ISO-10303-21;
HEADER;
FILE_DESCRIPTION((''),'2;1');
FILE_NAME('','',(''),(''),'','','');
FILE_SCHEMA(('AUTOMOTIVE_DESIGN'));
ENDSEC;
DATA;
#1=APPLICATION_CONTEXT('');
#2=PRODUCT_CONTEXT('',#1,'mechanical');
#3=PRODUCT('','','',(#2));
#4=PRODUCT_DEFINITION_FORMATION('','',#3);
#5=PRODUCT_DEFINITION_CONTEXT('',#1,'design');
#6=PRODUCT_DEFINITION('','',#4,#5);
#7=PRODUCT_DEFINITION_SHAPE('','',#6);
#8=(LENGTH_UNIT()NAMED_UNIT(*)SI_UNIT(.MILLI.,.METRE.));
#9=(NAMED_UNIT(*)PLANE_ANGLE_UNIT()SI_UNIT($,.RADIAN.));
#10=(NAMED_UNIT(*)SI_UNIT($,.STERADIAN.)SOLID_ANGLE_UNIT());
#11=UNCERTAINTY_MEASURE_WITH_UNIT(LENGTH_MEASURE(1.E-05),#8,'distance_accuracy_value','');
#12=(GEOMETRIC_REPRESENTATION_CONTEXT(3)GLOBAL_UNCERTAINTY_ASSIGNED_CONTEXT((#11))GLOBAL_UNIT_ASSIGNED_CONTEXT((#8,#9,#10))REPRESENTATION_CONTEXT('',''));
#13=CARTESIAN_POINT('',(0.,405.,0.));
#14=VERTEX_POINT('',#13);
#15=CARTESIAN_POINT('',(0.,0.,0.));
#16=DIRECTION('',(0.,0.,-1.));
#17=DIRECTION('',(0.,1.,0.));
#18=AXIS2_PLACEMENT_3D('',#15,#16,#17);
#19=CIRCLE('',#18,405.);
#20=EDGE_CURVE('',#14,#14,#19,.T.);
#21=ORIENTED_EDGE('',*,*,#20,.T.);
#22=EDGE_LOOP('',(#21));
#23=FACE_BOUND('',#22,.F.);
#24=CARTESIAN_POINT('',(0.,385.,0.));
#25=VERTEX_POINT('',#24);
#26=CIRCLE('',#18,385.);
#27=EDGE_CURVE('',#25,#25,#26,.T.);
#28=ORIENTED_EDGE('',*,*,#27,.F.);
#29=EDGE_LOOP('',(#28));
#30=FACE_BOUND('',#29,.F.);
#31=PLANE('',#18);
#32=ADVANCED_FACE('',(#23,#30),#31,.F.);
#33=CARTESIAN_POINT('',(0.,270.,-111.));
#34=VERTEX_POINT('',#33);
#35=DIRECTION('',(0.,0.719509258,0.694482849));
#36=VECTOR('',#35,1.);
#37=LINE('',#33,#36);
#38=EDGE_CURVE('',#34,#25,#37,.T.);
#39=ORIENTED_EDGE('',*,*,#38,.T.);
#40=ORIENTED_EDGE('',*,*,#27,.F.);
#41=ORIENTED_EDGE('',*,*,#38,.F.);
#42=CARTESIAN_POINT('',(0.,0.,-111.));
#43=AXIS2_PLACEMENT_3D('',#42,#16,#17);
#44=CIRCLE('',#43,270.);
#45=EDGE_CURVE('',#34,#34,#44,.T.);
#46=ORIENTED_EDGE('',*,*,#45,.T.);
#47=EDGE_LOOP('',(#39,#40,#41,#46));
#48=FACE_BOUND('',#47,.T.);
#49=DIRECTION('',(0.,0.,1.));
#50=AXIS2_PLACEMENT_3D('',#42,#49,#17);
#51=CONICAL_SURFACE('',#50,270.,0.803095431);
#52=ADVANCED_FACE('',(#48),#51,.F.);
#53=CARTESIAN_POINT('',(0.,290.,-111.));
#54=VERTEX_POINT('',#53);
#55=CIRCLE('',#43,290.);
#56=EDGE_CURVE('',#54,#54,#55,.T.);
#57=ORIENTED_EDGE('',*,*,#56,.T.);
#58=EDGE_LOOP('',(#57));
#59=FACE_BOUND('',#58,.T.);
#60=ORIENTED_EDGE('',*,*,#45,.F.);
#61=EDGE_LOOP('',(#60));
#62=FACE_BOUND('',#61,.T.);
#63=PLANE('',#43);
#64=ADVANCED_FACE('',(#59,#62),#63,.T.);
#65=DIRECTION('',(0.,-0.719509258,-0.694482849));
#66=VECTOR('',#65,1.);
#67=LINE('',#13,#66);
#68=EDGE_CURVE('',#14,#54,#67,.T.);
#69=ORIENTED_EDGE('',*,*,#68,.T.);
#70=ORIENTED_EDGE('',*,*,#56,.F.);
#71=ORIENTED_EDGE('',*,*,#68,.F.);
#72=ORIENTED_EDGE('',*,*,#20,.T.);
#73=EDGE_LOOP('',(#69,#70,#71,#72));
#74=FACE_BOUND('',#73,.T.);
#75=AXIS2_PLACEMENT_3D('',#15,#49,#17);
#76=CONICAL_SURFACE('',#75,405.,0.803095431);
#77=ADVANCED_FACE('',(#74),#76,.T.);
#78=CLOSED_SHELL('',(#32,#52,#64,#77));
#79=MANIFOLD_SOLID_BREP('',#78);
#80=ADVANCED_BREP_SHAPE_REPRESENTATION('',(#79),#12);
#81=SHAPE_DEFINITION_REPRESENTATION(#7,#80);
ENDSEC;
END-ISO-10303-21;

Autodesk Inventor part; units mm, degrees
ref_plane "YZ Plane" through (0, 0, 0) normal (1, 0, 0) x (0, 1, 0)
ref_plane "XZ Plane" through (0, 0, 0) normal (0, 1, 0) x (-1, 0, 0)
ref_plane "XY Plane" through (0, 0, 0) normal (0, 0, 1) x (1, 0, 0)
sketch "Sketch1" plane through (0, 0, 0) normal (1, 0, 0) x (0, 1, 0)
  line L0 (0, 0) -> (0, -111)
  line L1 (0, 0) -> (385, 0)
  line L2 (0, -111) -> (270, -111)
  line L3 (270, -111) -> (385, 0)
  line L4 (405, 0) -> (290, -111)
  line L5 (290, -111) -> (270, -111)
  line L6 (405, 0) -> (385, 0)
  dimension "d0" = 20
  dimension "d1" = 385
  dimension "d2" = 270
  dimension "d3" = 111
revolve "Revolution1" add sketch "Sketch1" angle 360 about axis through (0, 0, 0) along (0, 0, -1) contours L6 L4 L5 L3
properties part number "CollegamentoCorpo1" material "Steel, Alloy"
